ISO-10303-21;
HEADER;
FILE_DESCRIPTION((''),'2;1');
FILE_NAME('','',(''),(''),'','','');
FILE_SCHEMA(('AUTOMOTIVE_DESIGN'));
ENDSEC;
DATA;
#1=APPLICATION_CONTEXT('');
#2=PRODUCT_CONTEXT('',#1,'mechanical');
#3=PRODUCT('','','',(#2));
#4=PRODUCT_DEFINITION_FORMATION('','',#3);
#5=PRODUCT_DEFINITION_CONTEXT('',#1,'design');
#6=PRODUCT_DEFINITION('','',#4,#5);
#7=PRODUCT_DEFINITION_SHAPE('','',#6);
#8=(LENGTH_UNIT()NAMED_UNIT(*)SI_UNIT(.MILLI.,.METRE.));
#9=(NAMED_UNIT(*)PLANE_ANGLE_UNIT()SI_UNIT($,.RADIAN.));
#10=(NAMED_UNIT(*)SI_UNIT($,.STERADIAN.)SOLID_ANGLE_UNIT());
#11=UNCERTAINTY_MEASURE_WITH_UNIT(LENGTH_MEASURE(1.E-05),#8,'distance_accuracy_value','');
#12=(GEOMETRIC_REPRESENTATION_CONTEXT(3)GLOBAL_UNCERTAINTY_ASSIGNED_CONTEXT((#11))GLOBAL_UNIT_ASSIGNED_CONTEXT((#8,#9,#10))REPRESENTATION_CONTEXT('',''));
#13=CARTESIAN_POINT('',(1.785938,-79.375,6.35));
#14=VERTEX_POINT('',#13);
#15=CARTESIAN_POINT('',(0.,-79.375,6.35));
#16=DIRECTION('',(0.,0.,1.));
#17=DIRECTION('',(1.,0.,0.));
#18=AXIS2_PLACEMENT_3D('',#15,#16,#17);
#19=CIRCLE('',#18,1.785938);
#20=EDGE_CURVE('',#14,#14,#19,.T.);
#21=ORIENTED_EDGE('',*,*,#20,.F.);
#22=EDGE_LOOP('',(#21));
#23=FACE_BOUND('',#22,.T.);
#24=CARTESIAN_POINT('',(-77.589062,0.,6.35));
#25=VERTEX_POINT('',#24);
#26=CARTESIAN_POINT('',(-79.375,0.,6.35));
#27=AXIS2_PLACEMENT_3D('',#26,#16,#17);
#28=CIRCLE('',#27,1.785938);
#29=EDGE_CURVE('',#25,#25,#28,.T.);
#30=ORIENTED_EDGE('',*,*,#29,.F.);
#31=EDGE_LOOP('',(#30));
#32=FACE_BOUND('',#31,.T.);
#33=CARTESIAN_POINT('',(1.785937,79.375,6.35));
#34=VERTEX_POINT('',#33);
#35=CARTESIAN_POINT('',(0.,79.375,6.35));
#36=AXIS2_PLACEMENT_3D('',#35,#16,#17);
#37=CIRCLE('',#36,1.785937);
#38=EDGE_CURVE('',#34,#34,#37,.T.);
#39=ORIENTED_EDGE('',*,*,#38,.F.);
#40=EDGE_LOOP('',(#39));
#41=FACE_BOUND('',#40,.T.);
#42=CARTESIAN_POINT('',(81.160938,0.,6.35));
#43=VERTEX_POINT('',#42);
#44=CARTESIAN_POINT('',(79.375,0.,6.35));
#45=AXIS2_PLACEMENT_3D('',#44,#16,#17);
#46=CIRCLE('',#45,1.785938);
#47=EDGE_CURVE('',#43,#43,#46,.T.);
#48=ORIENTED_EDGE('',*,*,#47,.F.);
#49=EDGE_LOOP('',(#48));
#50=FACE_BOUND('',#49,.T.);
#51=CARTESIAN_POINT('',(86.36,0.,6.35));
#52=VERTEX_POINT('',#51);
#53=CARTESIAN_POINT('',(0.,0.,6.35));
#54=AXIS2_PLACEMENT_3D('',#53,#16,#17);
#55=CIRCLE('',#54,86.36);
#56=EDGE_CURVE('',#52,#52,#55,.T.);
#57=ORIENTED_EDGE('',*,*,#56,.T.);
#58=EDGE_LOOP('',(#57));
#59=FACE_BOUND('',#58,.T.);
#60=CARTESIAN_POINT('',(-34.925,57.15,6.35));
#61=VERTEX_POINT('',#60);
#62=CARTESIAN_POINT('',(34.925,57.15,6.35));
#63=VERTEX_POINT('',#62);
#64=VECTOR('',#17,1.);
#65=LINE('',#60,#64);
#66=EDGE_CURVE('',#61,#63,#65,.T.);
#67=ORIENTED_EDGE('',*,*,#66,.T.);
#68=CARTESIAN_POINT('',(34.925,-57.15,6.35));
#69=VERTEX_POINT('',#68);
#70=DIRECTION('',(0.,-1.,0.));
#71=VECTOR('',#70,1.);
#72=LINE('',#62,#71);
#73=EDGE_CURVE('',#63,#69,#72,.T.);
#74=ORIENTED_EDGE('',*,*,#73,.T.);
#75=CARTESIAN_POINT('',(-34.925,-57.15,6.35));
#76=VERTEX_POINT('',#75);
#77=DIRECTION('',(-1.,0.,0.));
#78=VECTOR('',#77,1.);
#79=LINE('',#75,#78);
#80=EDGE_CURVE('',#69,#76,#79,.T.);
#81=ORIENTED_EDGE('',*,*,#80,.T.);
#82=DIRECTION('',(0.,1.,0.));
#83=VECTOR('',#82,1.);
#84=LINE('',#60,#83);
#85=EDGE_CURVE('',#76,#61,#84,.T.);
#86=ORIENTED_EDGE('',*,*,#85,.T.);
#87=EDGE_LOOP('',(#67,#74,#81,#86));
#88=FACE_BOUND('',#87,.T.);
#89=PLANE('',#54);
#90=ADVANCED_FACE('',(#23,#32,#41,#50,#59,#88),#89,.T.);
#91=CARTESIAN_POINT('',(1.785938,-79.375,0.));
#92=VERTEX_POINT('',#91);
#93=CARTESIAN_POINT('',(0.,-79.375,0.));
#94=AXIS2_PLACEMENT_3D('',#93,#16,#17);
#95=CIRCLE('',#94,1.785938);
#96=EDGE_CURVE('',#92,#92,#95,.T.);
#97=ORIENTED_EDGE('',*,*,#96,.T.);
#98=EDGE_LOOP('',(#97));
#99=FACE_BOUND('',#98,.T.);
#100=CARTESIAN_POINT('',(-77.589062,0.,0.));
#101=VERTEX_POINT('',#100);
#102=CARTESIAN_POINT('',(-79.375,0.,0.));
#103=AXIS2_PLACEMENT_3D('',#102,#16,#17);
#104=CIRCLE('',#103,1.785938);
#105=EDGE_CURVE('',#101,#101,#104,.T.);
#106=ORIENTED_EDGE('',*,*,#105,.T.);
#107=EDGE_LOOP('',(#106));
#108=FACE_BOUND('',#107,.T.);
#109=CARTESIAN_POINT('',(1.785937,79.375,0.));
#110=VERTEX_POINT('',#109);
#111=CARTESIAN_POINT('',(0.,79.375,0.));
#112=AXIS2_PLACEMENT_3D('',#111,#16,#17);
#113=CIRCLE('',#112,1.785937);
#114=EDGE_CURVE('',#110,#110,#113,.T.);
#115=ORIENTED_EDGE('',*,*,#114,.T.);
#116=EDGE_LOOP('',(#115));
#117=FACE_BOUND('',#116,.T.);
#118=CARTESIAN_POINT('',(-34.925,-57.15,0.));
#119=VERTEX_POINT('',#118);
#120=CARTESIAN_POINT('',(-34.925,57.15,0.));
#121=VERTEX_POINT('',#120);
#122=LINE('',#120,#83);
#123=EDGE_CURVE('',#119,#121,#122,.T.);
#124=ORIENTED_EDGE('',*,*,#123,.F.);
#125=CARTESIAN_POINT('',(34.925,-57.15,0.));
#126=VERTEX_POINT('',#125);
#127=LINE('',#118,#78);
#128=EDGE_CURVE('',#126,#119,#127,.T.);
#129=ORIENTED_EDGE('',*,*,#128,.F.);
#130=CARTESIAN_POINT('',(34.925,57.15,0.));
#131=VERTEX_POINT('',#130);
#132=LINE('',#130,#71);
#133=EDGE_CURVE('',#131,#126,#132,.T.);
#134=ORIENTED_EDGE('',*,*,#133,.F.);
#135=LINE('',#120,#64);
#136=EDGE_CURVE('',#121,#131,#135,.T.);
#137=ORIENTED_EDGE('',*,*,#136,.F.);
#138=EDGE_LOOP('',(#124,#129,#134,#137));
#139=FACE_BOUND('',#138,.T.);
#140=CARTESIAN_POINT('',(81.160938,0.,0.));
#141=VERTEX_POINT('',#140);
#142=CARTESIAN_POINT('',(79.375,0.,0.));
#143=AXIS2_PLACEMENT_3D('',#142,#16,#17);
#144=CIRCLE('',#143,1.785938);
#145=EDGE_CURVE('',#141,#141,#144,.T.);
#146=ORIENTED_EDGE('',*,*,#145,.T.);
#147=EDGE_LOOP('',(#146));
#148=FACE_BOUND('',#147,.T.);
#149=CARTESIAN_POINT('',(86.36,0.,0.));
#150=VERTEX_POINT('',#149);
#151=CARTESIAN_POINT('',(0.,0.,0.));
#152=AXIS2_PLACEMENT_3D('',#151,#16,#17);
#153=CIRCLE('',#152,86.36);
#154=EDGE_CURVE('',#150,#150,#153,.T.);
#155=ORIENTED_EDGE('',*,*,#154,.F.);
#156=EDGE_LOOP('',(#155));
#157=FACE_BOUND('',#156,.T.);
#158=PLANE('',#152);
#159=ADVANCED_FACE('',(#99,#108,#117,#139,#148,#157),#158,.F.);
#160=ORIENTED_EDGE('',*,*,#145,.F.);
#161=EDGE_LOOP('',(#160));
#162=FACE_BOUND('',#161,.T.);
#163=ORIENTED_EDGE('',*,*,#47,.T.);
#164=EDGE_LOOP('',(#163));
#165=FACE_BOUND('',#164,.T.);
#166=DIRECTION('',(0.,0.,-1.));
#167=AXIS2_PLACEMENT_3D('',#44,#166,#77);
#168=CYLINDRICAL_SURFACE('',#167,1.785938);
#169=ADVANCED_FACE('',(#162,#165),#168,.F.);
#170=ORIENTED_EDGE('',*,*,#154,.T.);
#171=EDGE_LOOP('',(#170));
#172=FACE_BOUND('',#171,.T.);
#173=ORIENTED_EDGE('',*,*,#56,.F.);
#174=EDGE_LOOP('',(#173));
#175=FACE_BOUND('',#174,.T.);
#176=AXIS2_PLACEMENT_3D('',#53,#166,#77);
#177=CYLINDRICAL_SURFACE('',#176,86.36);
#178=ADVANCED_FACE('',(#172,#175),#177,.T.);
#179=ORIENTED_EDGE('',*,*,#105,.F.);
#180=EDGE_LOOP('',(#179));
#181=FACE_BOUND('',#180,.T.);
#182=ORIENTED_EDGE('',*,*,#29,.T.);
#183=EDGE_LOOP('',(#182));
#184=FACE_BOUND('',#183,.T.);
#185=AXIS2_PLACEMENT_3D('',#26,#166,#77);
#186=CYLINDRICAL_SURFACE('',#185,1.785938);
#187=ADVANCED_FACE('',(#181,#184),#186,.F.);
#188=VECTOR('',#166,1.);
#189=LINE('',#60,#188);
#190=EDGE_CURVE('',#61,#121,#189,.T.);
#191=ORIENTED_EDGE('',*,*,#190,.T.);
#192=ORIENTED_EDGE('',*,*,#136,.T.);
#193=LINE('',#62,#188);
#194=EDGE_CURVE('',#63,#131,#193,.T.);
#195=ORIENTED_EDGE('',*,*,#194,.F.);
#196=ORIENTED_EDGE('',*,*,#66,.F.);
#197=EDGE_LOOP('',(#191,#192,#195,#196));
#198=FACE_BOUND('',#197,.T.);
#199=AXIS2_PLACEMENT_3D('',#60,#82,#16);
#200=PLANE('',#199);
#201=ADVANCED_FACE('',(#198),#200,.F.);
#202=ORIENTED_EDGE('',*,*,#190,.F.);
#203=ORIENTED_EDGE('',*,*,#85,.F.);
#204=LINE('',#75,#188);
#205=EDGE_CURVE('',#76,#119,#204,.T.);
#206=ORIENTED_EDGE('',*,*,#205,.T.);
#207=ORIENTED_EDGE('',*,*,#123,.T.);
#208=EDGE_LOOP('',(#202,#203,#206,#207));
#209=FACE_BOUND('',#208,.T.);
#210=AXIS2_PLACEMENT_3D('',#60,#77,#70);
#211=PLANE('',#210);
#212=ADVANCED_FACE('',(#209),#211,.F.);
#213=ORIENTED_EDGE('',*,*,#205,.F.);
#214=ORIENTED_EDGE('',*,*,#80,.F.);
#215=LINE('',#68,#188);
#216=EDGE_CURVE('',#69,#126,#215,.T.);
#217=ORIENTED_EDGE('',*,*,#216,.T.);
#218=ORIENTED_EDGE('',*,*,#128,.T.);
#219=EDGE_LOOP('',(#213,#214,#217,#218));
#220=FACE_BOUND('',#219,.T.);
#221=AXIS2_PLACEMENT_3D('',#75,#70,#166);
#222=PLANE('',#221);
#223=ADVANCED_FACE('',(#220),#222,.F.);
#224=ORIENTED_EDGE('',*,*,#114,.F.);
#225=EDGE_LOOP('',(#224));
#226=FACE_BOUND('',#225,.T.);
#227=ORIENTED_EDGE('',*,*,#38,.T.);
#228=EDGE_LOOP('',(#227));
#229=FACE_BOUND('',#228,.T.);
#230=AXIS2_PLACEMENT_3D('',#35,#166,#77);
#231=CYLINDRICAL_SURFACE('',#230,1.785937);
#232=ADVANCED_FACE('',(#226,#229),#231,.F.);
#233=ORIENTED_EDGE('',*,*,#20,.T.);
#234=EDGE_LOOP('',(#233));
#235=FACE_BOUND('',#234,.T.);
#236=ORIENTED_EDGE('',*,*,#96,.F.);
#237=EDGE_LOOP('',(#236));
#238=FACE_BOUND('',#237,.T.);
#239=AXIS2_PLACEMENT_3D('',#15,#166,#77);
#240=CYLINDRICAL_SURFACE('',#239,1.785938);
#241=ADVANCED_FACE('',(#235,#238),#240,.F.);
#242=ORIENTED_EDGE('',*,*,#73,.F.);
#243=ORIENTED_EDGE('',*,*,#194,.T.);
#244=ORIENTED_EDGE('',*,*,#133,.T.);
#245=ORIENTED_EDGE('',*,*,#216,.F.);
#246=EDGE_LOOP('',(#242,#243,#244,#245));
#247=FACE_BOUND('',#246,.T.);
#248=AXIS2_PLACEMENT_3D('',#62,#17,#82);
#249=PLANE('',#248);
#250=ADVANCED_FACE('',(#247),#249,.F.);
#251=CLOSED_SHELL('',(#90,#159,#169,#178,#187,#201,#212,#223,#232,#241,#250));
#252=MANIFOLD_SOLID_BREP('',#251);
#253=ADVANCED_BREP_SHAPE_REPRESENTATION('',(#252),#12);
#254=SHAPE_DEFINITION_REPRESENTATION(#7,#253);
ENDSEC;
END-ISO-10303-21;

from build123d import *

# Parameters (mm, degrees)
SKETCH1_R           = 86.36
SKETCH1_R_2         = 1.7859375
BOSS_EXTRUDE1_DEPTH = 6.35
SKETCH2_W           = 69.85
SKETCH2_H           = 114.3
CUT_EXTRUDE1_DEPTH  = 123.296450071


with BuildPart() as part:
    # Sketch1 → Boss-Extrude1 (new body)
    with BuildSketch(Plane.XY):
        Circle(SKETCH1_R)
        with Locations((0, 79.375)):
            Circle(SKETCH1_R_2, mode=Mode.SUBTRACT)
        with Locations((79.375, 0)):
            Circle(SKETCH1_R_2, mode=Mode.SUBTRACT)
        with Locations((0, -79.375)):
            Circle(SKETCH1_R_2, mode=Mode.SUBTRACT)
        with Locations((-79.375, 0)):
            Circle(SKETCH1_R_2, mode=Mode.SUBTRACT)
    extrude(amount=BOSS_EXTRUDE1_DEPTH)

    # Sketch2 → Cut-Extrude1 (cut, through all)
    with BuildSketch(Plane(origin=(0, 0, 0), x_dir=(-1, 0, 0), z_dir=(0, 0, -1))):
        Rectangle(SKETCH2_W, SKETCH2_H)
    extrude(amount=-CUT_EXTRUDE1_DEPTH, mode=Mode.SUBTRACT)


solid = part.part
